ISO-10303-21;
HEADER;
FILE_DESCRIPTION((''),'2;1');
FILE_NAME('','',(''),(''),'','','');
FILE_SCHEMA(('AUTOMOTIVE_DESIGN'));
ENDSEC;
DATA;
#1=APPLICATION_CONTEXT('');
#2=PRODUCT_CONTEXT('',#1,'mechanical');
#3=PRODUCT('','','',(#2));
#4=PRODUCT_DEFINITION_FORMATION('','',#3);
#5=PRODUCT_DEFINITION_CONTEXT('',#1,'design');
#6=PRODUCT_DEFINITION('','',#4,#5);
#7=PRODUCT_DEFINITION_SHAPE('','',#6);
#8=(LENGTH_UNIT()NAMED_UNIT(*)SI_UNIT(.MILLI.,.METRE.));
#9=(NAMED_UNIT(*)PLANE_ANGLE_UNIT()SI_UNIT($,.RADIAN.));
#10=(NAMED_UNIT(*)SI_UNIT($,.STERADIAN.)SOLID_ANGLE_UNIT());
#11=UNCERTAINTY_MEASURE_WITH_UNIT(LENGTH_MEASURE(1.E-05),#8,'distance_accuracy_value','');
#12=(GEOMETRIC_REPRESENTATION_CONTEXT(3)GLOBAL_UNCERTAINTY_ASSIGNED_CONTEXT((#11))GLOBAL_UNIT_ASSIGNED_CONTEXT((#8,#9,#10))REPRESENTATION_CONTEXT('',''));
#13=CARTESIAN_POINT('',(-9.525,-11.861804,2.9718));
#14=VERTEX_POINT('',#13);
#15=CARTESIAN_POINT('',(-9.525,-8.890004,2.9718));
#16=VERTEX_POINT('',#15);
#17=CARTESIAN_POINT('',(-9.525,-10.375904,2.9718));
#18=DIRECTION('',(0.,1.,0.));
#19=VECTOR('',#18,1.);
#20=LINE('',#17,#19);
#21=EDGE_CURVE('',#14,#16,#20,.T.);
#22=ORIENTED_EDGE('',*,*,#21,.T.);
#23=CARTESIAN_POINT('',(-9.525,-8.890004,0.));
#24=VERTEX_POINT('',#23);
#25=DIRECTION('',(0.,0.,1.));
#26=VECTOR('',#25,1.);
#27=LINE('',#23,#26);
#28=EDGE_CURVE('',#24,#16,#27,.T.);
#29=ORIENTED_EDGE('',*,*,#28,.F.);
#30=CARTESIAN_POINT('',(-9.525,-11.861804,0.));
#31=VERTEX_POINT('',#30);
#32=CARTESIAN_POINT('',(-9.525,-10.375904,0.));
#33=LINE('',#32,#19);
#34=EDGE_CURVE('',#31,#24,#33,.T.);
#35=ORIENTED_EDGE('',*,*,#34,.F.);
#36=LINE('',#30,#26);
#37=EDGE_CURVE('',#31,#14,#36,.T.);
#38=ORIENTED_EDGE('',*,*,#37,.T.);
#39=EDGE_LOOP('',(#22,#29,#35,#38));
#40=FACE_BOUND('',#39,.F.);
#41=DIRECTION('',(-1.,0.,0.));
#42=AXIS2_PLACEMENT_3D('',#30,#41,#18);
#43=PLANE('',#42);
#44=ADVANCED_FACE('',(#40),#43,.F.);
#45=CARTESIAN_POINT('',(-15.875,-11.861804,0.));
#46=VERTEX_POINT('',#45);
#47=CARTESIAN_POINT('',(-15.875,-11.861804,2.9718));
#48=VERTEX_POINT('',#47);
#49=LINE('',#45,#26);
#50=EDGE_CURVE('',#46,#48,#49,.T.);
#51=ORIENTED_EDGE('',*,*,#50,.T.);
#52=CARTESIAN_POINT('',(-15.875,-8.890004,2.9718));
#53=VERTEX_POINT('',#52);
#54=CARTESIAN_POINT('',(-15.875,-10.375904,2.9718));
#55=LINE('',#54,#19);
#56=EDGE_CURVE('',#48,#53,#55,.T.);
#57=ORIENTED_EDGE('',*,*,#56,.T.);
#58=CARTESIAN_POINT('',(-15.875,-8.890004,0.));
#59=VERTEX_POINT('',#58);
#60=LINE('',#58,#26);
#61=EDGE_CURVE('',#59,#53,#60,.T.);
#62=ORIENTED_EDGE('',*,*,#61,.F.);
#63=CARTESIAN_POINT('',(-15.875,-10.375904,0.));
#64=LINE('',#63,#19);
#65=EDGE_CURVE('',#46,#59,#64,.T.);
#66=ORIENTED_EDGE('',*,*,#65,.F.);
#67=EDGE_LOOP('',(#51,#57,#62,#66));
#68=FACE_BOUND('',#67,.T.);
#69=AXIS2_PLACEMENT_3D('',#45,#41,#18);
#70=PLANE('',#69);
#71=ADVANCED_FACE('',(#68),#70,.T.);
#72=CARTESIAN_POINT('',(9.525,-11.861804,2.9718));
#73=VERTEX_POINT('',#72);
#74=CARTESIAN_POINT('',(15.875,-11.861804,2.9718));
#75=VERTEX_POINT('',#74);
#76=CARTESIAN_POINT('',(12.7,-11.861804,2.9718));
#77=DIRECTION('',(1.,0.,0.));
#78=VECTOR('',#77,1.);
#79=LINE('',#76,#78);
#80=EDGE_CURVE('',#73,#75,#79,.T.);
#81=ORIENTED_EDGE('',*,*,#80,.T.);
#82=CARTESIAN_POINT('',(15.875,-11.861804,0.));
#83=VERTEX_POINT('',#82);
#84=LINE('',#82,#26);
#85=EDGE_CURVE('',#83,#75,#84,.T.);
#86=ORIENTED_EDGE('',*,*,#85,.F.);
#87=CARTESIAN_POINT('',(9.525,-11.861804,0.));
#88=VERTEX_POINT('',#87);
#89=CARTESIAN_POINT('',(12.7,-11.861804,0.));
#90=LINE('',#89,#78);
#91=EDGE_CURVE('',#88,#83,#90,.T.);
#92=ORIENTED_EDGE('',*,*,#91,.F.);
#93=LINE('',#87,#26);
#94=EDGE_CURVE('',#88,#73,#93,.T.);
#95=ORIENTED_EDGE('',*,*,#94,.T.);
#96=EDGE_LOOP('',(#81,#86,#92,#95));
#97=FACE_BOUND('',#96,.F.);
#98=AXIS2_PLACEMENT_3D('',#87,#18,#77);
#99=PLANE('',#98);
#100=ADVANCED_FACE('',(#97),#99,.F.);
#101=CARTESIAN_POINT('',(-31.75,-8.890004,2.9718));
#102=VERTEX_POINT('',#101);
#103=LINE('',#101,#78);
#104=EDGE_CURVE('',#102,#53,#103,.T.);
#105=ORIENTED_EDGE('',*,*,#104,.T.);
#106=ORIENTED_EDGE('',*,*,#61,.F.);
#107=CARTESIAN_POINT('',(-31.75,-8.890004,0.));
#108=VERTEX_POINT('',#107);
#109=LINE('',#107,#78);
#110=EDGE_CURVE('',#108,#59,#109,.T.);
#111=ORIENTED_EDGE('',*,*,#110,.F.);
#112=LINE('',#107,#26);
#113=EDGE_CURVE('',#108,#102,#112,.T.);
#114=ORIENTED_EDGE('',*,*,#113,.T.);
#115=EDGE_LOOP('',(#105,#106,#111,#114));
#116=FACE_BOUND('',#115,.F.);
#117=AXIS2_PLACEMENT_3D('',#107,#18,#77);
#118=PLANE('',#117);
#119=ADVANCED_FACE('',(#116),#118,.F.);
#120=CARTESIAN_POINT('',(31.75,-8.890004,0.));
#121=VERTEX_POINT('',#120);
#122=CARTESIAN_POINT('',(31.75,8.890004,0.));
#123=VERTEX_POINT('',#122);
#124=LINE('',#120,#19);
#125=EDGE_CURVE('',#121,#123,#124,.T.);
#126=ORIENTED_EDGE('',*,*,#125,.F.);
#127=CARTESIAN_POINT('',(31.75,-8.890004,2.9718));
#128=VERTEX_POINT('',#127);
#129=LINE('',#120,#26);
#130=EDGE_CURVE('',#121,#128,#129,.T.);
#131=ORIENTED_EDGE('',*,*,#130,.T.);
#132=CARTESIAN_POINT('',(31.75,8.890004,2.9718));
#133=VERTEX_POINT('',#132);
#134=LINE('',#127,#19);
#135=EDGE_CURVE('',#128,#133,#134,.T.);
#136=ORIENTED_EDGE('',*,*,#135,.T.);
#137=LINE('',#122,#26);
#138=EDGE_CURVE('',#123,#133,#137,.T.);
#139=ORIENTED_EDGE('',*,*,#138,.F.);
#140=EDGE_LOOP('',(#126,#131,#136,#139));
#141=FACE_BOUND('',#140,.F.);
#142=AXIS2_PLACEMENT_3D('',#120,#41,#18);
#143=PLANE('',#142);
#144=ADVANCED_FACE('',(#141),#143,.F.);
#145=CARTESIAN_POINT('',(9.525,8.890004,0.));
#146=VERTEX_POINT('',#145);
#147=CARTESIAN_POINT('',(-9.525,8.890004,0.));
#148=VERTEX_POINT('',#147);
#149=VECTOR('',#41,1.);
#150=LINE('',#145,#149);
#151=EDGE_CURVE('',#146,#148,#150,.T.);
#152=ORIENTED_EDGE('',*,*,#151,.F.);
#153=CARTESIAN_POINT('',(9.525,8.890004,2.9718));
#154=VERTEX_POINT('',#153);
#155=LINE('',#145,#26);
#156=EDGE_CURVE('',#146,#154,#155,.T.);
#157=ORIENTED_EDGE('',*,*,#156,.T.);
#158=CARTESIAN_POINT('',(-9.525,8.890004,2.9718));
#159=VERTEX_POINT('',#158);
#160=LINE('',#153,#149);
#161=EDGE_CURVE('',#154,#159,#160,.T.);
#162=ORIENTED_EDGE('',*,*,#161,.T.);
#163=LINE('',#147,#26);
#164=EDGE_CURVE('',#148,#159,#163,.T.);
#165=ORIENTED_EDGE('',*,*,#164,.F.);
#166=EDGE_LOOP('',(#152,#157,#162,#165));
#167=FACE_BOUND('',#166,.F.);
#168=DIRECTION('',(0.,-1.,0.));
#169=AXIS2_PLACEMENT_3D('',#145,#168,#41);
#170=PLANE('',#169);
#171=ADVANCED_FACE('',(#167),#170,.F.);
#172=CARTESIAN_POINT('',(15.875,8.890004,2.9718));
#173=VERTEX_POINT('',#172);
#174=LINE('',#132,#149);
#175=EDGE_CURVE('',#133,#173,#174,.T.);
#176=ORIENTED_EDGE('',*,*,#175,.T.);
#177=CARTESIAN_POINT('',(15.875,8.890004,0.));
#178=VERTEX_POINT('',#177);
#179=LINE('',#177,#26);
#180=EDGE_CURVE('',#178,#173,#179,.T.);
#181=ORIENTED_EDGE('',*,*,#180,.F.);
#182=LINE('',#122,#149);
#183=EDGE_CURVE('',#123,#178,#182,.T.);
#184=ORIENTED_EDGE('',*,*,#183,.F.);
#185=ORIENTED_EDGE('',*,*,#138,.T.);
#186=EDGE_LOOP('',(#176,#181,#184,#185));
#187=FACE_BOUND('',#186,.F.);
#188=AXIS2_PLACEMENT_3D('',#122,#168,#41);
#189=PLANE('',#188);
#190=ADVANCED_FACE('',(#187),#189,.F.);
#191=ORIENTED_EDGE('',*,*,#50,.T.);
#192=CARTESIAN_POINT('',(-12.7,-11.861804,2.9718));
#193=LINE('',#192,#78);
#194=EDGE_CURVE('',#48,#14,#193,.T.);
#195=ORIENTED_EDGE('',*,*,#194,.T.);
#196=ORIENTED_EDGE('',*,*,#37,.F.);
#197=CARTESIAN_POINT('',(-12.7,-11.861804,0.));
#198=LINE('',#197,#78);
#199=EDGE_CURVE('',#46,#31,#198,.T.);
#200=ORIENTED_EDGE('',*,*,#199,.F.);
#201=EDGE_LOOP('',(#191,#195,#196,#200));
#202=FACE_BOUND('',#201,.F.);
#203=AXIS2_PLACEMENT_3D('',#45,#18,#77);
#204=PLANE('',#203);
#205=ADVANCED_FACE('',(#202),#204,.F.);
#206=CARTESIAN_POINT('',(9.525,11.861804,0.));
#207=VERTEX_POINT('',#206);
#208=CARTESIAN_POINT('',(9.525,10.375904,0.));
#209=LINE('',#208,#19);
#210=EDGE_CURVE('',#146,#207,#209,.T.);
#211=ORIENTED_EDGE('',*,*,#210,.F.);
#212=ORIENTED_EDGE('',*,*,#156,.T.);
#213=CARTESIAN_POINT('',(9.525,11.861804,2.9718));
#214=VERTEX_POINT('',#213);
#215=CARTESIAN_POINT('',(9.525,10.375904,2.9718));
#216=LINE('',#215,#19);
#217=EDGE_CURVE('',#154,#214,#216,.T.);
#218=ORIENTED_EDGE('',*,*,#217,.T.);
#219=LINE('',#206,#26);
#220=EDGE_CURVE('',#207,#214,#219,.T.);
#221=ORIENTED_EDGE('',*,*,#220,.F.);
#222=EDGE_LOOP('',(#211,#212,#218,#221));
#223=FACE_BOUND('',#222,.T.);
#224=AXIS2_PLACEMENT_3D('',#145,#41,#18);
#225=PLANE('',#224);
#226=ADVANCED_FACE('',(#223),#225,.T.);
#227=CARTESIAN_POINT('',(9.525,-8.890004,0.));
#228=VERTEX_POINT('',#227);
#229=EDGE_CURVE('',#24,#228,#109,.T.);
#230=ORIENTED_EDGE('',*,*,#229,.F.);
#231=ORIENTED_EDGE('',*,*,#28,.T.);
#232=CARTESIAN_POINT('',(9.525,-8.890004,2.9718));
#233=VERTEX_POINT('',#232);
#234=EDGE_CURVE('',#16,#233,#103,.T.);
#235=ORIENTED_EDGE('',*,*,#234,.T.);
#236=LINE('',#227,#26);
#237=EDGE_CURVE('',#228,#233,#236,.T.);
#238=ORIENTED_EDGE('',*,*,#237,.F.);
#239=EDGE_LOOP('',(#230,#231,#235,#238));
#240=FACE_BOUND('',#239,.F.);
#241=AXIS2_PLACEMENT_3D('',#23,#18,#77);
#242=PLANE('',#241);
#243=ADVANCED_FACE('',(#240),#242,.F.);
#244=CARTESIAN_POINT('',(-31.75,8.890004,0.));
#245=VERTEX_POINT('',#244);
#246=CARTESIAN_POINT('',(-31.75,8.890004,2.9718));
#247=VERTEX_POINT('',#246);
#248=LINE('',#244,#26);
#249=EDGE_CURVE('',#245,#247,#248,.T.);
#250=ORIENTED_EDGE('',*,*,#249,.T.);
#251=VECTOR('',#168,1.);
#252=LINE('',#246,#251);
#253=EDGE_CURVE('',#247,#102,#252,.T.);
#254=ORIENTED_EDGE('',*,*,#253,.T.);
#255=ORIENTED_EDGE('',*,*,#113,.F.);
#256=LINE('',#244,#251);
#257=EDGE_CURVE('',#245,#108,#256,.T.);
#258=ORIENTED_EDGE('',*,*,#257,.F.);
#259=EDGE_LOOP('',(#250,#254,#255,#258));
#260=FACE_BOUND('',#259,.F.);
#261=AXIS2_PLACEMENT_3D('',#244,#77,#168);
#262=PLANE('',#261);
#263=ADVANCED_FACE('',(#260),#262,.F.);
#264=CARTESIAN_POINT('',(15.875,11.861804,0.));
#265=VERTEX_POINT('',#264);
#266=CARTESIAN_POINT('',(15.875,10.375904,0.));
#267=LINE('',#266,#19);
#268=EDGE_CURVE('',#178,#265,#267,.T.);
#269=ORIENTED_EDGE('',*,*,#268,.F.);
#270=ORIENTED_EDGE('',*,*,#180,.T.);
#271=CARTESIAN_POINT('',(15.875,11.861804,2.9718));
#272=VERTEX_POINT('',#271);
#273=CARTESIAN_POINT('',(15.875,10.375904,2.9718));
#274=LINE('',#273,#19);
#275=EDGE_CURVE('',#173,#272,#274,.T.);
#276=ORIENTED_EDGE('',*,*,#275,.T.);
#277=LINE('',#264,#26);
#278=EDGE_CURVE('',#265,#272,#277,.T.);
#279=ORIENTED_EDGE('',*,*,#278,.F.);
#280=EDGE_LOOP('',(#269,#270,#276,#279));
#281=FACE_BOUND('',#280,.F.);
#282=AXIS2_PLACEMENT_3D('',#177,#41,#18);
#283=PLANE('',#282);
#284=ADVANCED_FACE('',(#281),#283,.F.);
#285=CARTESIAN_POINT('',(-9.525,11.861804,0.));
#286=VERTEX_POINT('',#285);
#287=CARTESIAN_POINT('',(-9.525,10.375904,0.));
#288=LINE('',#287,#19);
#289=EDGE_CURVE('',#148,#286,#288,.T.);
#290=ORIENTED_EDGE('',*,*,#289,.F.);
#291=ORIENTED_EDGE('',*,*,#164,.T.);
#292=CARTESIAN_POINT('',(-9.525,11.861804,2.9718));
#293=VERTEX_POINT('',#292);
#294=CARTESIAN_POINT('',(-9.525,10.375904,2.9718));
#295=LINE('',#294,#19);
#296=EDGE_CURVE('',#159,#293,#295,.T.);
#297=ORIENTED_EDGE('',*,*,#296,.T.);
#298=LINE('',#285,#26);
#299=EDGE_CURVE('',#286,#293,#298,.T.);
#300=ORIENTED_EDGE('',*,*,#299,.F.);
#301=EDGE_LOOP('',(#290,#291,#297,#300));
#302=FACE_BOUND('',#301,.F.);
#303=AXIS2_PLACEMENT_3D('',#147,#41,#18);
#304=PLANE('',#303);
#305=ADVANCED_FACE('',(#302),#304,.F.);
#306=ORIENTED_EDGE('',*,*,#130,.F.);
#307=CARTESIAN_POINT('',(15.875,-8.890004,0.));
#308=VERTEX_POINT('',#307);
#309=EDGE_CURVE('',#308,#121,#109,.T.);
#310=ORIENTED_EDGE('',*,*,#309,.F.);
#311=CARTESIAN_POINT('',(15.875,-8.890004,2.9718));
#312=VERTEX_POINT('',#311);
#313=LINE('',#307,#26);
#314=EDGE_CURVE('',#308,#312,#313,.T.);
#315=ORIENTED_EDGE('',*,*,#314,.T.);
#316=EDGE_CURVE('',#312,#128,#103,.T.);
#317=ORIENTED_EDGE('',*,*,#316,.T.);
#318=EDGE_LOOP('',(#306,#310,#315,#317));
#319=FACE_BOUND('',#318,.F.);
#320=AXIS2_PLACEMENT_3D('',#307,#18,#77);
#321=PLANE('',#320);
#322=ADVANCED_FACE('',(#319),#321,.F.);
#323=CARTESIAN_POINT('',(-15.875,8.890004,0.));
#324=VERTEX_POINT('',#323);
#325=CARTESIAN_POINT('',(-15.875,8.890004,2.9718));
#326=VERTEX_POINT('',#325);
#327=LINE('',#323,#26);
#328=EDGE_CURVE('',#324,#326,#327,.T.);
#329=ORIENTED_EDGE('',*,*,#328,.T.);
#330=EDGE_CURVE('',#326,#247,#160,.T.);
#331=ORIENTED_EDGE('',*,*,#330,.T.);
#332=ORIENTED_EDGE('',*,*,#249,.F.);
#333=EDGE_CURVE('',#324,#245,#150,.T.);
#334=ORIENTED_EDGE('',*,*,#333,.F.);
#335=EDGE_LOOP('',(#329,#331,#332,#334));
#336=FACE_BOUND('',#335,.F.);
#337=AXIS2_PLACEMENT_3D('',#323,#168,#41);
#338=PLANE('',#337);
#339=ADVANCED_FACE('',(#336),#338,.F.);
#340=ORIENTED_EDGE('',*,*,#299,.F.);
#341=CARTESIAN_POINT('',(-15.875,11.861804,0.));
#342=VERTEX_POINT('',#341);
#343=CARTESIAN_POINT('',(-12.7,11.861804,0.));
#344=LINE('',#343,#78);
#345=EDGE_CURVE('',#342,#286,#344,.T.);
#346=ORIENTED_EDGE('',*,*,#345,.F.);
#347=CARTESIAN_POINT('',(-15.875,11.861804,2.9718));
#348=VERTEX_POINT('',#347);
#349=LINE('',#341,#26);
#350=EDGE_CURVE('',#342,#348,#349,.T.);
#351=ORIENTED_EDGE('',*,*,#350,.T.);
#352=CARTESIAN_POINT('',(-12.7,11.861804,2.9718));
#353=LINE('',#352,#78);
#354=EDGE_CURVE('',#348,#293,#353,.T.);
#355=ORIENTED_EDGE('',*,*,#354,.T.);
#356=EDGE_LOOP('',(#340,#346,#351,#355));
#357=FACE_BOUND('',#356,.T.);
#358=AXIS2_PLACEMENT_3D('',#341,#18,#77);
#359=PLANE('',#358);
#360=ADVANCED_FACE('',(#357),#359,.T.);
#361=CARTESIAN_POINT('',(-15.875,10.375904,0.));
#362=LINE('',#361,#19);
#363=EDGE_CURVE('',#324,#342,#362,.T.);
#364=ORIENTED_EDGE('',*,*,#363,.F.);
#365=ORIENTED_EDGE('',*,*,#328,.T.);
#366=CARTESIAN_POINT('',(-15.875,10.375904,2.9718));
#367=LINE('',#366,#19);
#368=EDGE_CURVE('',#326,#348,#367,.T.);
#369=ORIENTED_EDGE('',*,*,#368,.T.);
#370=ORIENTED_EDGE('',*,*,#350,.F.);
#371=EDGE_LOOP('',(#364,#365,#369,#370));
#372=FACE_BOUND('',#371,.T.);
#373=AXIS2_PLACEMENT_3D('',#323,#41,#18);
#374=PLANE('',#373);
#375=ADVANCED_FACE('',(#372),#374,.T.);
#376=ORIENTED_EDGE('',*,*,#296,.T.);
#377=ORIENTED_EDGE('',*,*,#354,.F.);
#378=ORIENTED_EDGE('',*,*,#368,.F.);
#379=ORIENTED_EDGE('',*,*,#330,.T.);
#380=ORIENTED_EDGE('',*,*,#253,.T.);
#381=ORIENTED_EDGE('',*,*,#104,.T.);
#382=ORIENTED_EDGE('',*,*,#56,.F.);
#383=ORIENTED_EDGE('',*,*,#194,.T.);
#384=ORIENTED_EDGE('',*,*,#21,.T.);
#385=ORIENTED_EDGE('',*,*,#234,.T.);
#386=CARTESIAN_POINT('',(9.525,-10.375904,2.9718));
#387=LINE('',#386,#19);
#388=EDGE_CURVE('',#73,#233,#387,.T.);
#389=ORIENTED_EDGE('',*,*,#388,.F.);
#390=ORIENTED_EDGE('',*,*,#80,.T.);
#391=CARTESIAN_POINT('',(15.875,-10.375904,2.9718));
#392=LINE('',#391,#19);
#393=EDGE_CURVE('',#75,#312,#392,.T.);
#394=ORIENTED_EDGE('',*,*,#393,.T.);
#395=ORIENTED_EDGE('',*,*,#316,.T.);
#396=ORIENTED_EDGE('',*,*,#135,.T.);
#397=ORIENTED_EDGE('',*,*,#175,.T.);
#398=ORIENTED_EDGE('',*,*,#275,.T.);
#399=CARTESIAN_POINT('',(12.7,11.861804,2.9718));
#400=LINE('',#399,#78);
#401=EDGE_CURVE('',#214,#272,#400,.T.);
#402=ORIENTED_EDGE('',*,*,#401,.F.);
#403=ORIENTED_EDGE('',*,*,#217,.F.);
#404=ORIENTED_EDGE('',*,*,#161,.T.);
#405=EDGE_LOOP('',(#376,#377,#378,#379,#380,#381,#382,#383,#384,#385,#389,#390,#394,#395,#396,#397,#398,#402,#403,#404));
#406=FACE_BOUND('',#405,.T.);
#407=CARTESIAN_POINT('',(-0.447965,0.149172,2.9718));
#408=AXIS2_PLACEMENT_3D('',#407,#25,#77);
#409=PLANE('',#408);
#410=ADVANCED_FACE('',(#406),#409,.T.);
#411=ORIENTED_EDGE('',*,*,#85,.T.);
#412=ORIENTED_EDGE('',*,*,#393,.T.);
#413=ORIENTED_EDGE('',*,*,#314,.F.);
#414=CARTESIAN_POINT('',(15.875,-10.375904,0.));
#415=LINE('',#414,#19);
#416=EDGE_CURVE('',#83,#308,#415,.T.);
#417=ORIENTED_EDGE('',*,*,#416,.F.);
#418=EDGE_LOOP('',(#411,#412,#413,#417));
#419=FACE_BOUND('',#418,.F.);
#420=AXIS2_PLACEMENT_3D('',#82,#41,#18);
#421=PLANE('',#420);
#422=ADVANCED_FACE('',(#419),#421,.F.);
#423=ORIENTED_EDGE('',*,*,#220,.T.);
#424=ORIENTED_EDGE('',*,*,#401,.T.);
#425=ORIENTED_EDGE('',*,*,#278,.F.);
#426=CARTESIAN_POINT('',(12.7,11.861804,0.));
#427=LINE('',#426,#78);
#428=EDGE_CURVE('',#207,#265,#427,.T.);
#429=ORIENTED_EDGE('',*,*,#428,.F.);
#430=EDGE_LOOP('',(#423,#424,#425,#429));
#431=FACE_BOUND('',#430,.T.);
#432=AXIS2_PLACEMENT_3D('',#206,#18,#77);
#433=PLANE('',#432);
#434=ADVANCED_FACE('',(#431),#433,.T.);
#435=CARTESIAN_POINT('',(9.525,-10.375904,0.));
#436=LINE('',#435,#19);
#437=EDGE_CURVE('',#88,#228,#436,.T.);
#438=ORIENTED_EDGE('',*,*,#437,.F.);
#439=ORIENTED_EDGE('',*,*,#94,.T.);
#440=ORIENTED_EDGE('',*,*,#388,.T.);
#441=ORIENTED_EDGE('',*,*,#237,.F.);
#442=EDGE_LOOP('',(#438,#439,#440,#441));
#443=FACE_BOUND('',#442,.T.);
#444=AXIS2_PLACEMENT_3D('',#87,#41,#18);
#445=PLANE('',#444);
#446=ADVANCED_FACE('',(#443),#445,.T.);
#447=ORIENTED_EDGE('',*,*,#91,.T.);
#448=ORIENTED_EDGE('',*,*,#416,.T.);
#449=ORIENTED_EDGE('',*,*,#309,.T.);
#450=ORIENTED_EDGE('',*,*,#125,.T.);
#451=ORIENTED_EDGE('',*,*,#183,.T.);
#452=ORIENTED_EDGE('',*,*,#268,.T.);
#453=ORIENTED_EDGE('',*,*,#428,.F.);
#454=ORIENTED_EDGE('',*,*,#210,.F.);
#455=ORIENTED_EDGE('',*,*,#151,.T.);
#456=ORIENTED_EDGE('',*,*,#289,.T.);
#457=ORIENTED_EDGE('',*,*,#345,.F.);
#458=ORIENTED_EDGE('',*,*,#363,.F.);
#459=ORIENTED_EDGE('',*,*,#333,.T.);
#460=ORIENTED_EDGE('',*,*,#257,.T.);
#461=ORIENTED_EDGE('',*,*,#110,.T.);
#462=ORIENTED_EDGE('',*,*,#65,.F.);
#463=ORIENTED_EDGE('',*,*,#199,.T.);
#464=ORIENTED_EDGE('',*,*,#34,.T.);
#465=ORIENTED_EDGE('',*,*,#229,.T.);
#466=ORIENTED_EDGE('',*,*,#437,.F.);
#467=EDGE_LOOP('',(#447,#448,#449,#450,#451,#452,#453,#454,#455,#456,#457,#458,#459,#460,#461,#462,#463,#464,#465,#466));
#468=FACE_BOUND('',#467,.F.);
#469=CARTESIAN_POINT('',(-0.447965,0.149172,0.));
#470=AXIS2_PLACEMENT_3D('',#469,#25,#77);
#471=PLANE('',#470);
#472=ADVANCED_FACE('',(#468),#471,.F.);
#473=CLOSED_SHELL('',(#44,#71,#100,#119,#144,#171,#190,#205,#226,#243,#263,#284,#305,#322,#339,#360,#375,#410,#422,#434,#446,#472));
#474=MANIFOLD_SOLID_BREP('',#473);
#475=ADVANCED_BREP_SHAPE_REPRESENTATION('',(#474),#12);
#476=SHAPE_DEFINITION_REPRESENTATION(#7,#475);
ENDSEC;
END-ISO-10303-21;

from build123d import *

# Parameters (mm, degrees)
F0_W     = 6.35
F0_H     = 2.9718
F1_DEPTH = 2.9718


with BuildPart() as f1:
    # F0 (on Top) → F1 (new body)
    with BuildSketch(Plane.XY):
        Polygon((31.75, -8.8900044046), (31.75, 8.8900044046), (15.875, 8.8900044046), (9.525, 8.8900044046), (-9.525, 8.8900044046), (-9.525, 5.9182044046), (-15.875, 5.9182044046), (-15.875, 8.8900044046), (-31.75, 8.8900044046), (-31.75, -8.8900044046), (-15.875, -8.8900044046), (-9.525, -8.8900044046), (9.525, -8.8900044046), (15.875, -8.8900044046), align=None)
        with Locations((12.7, 10.3759044046)):
            Rectangle(F0_W, F0_H)
        with Locations((12.7, -10.3759044046)):
            Rectangle(F0_W, F0_H)
        with Locations((-12.7, 7.4041044046)):
            Rectangle(F0_W, F0_H)
        with Locations((-12.7, 10.3759044046)):
            Rectangle(F0_W, F0_H)
        with Locations((-12.7, -10.3759044046)):
            Rectangle(F0_W, F0_H)
    extrude(amount=F1_DEPTH)


solid = f1.part
